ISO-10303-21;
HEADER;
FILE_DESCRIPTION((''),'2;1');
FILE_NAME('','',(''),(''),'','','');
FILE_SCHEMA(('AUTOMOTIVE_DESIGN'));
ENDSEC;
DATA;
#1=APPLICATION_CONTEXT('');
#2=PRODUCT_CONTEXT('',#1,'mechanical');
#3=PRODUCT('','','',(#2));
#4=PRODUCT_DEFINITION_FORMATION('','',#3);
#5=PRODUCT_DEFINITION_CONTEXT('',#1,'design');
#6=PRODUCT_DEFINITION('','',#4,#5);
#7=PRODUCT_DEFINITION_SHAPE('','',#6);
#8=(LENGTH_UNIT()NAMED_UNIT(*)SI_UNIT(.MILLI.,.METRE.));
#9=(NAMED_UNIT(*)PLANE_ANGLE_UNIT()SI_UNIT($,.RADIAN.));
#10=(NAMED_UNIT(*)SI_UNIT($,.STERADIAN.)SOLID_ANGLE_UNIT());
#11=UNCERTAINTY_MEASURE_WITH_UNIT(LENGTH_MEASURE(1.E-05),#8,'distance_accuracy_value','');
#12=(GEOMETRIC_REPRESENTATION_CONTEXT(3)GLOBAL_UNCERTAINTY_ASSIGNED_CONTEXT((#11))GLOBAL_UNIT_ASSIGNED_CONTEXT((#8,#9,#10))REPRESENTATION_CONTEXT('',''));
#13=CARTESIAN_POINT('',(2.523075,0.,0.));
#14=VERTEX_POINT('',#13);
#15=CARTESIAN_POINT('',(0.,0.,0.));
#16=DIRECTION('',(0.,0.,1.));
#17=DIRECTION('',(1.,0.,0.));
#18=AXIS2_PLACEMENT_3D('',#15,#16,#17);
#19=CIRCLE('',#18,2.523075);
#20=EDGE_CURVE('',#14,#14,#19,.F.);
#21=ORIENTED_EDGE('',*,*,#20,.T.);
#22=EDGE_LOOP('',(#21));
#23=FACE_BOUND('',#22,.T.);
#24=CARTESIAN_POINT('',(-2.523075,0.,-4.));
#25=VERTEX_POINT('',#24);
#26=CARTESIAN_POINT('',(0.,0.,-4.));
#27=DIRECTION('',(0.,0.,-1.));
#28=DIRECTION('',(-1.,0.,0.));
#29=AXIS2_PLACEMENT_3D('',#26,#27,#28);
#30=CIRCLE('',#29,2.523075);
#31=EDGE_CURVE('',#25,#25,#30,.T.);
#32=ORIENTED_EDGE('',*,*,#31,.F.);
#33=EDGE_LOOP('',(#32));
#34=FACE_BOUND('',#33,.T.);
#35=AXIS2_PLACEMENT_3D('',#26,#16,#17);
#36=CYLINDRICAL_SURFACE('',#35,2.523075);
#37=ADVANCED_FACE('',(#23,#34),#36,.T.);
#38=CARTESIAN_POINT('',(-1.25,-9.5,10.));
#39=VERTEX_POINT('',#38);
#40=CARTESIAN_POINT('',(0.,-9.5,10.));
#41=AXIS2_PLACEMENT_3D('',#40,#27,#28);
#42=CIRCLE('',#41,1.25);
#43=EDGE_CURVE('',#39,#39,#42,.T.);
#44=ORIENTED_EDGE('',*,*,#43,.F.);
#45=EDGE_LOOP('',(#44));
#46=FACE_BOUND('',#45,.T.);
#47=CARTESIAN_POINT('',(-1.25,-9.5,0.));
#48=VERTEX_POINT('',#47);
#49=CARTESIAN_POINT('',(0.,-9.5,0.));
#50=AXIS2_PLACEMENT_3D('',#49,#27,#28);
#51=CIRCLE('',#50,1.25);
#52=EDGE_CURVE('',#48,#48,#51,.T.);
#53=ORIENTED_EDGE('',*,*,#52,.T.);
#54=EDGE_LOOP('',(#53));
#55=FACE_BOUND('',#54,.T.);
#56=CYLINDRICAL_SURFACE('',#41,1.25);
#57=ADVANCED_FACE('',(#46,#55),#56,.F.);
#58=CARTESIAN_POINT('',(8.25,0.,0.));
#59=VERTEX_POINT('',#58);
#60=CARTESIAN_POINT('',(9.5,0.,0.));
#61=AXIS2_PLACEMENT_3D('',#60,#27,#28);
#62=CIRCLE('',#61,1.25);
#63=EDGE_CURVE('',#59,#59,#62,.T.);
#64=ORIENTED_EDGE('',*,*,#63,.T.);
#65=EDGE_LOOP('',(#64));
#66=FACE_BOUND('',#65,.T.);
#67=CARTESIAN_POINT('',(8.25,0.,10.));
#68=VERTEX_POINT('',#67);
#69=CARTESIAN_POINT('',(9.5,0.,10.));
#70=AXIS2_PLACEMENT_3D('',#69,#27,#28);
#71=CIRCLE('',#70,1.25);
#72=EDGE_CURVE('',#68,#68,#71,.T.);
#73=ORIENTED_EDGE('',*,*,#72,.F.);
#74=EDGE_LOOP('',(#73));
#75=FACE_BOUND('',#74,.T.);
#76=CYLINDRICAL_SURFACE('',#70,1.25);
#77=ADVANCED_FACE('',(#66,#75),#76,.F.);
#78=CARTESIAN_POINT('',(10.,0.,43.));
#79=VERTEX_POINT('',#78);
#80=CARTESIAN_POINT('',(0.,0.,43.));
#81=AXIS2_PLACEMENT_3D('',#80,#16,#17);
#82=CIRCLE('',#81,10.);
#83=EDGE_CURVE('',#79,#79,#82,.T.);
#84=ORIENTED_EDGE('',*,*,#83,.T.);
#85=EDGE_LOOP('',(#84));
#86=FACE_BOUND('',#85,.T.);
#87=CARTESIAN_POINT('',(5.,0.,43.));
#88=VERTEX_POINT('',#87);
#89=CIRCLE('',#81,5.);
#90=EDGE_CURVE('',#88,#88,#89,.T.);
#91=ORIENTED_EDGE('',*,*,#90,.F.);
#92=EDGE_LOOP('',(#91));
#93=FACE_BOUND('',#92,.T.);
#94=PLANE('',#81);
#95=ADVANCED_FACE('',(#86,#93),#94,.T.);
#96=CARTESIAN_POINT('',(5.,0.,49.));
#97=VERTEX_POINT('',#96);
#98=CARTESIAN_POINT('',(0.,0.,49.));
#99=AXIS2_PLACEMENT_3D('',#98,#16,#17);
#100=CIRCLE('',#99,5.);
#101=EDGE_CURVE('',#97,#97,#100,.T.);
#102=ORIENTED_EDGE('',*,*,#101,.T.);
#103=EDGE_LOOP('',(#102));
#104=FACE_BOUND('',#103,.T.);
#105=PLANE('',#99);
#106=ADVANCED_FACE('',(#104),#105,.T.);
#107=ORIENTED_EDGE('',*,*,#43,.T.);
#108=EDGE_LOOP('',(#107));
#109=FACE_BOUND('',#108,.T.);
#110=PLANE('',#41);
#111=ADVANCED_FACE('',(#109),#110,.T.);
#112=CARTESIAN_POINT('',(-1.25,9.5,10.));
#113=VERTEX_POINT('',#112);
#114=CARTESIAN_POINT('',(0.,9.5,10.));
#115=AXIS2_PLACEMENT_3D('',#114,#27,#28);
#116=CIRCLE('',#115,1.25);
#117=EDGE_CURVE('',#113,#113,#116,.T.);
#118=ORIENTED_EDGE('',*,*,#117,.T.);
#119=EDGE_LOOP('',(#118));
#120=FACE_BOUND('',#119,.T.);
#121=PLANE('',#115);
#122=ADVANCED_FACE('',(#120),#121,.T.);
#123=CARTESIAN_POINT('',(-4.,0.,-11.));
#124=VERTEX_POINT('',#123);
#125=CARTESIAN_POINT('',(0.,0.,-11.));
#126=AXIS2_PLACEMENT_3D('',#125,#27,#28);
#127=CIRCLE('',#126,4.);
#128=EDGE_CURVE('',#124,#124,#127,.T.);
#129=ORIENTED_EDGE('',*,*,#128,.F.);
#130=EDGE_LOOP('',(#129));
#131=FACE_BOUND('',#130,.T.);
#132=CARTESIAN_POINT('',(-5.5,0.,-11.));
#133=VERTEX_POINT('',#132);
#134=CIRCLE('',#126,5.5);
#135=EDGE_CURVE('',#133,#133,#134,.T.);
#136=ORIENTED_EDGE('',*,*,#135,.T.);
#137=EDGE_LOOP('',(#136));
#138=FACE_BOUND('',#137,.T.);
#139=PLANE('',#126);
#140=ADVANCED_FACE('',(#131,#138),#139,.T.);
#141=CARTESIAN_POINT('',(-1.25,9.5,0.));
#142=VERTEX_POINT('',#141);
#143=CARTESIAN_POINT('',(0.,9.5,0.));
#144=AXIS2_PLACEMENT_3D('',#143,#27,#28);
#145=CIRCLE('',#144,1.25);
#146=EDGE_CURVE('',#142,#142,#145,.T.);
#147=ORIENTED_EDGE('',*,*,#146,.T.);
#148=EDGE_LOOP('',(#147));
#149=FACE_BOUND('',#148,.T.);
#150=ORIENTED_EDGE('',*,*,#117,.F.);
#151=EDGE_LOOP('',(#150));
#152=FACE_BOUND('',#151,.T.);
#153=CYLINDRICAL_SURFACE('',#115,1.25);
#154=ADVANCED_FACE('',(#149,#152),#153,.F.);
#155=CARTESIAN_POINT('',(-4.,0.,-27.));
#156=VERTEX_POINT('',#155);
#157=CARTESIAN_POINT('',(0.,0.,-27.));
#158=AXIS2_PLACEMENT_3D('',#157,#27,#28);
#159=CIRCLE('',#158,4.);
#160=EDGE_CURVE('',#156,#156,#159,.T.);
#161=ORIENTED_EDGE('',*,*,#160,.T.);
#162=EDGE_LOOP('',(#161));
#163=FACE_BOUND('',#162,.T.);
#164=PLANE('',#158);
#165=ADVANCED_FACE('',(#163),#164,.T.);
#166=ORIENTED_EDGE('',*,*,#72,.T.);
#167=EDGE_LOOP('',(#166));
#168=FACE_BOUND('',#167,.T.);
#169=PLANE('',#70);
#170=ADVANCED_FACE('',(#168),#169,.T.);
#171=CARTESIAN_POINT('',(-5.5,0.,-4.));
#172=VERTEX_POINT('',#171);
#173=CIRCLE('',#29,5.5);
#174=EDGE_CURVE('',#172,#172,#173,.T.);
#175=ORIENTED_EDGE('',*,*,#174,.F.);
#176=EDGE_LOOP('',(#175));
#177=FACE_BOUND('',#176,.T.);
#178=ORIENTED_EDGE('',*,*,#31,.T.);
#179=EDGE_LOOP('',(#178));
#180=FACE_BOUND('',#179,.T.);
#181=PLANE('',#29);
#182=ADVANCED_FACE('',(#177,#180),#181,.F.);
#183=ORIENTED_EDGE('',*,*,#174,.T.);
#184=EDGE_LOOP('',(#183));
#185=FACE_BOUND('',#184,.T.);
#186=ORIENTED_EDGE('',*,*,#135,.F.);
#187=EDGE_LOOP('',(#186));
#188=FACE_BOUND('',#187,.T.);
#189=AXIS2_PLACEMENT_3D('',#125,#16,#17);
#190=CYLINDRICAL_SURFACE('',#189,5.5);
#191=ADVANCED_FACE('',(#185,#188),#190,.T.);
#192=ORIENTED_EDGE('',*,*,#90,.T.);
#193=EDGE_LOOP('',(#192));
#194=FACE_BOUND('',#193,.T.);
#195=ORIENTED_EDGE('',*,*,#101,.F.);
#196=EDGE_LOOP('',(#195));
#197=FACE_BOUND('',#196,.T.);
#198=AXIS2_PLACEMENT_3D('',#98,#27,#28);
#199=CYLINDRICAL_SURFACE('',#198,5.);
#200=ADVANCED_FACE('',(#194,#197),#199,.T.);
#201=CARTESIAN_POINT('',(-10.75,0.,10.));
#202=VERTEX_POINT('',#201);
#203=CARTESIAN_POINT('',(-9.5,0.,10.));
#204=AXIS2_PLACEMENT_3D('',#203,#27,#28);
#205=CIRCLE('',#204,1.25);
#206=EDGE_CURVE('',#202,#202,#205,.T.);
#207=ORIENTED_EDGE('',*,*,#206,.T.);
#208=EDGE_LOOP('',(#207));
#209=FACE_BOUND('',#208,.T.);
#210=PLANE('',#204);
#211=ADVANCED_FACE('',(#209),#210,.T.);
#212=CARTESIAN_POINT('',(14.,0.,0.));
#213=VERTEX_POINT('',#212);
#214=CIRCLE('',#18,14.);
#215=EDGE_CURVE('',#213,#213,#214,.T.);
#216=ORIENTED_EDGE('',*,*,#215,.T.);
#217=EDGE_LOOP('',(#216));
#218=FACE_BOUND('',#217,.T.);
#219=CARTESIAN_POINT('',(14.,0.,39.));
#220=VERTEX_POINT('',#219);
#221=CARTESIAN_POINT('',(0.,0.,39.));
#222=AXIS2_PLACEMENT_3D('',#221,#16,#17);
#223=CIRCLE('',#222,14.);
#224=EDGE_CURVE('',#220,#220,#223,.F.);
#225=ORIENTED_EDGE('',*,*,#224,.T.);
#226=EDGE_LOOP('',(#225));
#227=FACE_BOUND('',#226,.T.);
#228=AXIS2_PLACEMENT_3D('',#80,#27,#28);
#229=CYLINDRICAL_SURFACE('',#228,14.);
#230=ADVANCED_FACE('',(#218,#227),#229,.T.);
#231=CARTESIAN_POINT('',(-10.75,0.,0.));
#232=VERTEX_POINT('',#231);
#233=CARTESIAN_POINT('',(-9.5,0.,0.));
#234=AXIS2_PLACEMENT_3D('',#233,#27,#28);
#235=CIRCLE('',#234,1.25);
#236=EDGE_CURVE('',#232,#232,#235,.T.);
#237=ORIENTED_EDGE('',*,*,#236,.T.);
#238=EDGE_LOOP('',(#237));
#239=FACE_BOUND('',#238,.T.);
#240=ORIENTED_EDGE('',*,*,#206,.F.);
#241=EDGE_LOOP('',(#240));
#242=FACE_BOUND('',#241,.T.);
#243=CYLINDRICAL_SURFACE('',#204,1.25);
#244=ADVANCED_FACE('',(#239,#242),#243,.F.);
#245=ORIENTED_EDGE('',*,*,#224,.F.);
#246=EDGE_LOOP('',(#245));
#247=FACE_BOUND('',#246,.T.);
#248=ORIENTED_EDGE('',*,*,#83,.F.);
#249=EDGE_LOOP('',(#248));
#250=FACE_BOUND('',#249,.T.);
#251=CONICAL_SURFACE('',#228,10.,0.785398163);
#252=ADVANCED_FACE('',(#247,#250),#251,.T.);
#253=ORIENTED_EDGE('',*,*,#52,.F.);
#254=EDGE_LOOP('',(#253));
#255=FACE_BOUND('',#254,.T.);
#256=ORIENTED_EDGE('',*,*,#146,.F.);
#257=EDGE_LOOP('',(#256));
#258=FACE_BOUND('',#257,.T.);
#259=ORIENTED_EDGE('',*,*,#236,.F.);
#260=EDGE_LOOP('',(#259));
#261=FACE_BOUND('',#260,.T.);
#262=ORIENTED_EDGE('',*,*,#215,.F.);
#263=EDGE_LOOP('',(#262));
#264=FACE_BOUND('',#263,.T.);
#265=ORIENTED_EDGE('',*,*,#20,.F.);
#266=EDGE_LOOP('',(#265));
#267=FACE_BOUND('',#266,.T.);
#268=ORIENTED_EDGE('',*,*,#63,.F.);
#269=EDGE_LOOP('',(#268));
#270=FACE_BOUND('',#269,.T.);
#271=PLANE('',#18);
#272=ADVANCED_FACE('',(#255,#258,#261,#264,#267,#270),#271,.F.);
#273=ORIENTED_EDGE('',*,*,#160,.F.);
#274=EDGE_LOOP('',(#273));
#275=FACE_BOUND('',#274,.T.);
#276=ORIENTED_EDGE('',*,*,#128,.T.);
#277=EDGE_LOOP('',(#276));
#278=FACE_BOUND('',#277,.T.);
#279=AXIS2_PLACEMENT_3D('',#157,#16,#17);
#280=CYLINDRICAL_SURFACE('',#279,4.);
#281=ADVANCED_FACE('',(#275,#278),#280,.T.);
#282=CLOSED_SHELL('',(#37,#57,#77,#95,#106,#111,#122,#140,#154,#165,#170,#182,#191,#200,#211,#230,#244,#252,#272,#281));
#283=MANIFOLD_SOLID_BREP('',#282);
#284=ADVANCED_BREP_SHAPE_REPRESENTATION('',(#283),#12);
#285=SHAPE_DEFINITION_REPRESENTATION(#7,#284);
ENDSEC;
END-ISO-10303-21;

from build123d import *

# Parameters (mm, degrees)
ESQUISSE1_R             = 14
BOSS_EXTRU_1_DEPTH      = 43
CHANFREIN1_SIZE         = 4
ESQUISSE2_R             = 5
BOSS_EXTRU_2_DEPTH      = 6
ESQUISSE3_R             = 1.25
ENL_V_MAT_EXTRU_1_DEPTH = 10
ESQUISSE4_R             = 2.523074606
BOSS_EXTRU_3_DEPTH      = 4
ESQUISSE5_R             = 5.5
BOSS_EXTRU_4_DEPTH      = 7
ESQUISSE6_R             = 4
BOSS_EXTRU_5_DEPTH      = 16


with BuildPart() as part:
    # Esquisse1 → Boss.-Extru.1 (new body)
    with BuildSketch(Plane.XY):
        Circle(ESQUISSE1_R)
    extrude(amount=BOSS_EXTRU_1_DEPTH)

    # Chanfrein1
    chanfrein1_edges = [part.edges().sort_by_distance(p)[0] for p in [
        (-14, 0, 43),
    ]]
    chamfer(chanfrein1_edges, length=CHANFREIN1_SIZE)

    # Esquisse2 → Boss.-Extru.2 (add)
    with BuildSketch(Plane.XY.offset(43)):
        Circle(ESQUISSE2_R)
    extrude(amount=BOSS_EXTRU_2_DEPTH)

    # Esquisse3 → Enlèv. mat.-Extru.1 (cut)
    with BuildSketch(Plane(origin=(0, 0, 0), x_dir=(-1, 0, 0), z_dir=(0, 0, -1))):
        with Locations((0, 9.5)):
            Circle(ESQUISSE3_R)
        with Locations((9.5, 0)):
            Circle(ESQUISSE3_R)
        with Locations((0, -9.5)):
            Circle(ESQUISSE3_R)
        with Locations((-9.5, 0)):
            Circle(ESQUISSE3_R)
    extrude(amount=-ENL_V_MAT_EXTRU_1_DEPTH, mode=Mode.SUBTRACT)

    # Esquisse4 → Boss.-Extru.3 (add)
    with BuildSketch(Plane(origin=(0, 0, 0), x_dir=(-1, 0, 0), z_dir=(0, 0, -1))):
        with Locations(Location((0, 0, 0), (0, 0, 180))):
            Circle(ESQUISSE4_R)
    extrude(amount=BOSS_EXTRU_3_DEPTH)

    # Esquisse5 → Boss.-Extru.4 (add)
    with BuildSketch(Plane(origin=(0, 0, -4), x_dir=(-1, 0, 0), z_dir=(0, 0, -1))):
        Circle(ESQUISSE5_R)
    extrude(amount=BOSS_EXTRU_4_DEPTH)

    # Esquisse6 → Boss.-Extru.5 (add)
    with BuildSketch(Plane(origin=(0, 0, -11), x_dir=(-1, 0, 0), z_dir=(0, 0, -1))):
        Circle(ESQUISSE6_R)
    extrude(amount=BOSS_EXTRU_5_DEPTH)


solid = part.part
